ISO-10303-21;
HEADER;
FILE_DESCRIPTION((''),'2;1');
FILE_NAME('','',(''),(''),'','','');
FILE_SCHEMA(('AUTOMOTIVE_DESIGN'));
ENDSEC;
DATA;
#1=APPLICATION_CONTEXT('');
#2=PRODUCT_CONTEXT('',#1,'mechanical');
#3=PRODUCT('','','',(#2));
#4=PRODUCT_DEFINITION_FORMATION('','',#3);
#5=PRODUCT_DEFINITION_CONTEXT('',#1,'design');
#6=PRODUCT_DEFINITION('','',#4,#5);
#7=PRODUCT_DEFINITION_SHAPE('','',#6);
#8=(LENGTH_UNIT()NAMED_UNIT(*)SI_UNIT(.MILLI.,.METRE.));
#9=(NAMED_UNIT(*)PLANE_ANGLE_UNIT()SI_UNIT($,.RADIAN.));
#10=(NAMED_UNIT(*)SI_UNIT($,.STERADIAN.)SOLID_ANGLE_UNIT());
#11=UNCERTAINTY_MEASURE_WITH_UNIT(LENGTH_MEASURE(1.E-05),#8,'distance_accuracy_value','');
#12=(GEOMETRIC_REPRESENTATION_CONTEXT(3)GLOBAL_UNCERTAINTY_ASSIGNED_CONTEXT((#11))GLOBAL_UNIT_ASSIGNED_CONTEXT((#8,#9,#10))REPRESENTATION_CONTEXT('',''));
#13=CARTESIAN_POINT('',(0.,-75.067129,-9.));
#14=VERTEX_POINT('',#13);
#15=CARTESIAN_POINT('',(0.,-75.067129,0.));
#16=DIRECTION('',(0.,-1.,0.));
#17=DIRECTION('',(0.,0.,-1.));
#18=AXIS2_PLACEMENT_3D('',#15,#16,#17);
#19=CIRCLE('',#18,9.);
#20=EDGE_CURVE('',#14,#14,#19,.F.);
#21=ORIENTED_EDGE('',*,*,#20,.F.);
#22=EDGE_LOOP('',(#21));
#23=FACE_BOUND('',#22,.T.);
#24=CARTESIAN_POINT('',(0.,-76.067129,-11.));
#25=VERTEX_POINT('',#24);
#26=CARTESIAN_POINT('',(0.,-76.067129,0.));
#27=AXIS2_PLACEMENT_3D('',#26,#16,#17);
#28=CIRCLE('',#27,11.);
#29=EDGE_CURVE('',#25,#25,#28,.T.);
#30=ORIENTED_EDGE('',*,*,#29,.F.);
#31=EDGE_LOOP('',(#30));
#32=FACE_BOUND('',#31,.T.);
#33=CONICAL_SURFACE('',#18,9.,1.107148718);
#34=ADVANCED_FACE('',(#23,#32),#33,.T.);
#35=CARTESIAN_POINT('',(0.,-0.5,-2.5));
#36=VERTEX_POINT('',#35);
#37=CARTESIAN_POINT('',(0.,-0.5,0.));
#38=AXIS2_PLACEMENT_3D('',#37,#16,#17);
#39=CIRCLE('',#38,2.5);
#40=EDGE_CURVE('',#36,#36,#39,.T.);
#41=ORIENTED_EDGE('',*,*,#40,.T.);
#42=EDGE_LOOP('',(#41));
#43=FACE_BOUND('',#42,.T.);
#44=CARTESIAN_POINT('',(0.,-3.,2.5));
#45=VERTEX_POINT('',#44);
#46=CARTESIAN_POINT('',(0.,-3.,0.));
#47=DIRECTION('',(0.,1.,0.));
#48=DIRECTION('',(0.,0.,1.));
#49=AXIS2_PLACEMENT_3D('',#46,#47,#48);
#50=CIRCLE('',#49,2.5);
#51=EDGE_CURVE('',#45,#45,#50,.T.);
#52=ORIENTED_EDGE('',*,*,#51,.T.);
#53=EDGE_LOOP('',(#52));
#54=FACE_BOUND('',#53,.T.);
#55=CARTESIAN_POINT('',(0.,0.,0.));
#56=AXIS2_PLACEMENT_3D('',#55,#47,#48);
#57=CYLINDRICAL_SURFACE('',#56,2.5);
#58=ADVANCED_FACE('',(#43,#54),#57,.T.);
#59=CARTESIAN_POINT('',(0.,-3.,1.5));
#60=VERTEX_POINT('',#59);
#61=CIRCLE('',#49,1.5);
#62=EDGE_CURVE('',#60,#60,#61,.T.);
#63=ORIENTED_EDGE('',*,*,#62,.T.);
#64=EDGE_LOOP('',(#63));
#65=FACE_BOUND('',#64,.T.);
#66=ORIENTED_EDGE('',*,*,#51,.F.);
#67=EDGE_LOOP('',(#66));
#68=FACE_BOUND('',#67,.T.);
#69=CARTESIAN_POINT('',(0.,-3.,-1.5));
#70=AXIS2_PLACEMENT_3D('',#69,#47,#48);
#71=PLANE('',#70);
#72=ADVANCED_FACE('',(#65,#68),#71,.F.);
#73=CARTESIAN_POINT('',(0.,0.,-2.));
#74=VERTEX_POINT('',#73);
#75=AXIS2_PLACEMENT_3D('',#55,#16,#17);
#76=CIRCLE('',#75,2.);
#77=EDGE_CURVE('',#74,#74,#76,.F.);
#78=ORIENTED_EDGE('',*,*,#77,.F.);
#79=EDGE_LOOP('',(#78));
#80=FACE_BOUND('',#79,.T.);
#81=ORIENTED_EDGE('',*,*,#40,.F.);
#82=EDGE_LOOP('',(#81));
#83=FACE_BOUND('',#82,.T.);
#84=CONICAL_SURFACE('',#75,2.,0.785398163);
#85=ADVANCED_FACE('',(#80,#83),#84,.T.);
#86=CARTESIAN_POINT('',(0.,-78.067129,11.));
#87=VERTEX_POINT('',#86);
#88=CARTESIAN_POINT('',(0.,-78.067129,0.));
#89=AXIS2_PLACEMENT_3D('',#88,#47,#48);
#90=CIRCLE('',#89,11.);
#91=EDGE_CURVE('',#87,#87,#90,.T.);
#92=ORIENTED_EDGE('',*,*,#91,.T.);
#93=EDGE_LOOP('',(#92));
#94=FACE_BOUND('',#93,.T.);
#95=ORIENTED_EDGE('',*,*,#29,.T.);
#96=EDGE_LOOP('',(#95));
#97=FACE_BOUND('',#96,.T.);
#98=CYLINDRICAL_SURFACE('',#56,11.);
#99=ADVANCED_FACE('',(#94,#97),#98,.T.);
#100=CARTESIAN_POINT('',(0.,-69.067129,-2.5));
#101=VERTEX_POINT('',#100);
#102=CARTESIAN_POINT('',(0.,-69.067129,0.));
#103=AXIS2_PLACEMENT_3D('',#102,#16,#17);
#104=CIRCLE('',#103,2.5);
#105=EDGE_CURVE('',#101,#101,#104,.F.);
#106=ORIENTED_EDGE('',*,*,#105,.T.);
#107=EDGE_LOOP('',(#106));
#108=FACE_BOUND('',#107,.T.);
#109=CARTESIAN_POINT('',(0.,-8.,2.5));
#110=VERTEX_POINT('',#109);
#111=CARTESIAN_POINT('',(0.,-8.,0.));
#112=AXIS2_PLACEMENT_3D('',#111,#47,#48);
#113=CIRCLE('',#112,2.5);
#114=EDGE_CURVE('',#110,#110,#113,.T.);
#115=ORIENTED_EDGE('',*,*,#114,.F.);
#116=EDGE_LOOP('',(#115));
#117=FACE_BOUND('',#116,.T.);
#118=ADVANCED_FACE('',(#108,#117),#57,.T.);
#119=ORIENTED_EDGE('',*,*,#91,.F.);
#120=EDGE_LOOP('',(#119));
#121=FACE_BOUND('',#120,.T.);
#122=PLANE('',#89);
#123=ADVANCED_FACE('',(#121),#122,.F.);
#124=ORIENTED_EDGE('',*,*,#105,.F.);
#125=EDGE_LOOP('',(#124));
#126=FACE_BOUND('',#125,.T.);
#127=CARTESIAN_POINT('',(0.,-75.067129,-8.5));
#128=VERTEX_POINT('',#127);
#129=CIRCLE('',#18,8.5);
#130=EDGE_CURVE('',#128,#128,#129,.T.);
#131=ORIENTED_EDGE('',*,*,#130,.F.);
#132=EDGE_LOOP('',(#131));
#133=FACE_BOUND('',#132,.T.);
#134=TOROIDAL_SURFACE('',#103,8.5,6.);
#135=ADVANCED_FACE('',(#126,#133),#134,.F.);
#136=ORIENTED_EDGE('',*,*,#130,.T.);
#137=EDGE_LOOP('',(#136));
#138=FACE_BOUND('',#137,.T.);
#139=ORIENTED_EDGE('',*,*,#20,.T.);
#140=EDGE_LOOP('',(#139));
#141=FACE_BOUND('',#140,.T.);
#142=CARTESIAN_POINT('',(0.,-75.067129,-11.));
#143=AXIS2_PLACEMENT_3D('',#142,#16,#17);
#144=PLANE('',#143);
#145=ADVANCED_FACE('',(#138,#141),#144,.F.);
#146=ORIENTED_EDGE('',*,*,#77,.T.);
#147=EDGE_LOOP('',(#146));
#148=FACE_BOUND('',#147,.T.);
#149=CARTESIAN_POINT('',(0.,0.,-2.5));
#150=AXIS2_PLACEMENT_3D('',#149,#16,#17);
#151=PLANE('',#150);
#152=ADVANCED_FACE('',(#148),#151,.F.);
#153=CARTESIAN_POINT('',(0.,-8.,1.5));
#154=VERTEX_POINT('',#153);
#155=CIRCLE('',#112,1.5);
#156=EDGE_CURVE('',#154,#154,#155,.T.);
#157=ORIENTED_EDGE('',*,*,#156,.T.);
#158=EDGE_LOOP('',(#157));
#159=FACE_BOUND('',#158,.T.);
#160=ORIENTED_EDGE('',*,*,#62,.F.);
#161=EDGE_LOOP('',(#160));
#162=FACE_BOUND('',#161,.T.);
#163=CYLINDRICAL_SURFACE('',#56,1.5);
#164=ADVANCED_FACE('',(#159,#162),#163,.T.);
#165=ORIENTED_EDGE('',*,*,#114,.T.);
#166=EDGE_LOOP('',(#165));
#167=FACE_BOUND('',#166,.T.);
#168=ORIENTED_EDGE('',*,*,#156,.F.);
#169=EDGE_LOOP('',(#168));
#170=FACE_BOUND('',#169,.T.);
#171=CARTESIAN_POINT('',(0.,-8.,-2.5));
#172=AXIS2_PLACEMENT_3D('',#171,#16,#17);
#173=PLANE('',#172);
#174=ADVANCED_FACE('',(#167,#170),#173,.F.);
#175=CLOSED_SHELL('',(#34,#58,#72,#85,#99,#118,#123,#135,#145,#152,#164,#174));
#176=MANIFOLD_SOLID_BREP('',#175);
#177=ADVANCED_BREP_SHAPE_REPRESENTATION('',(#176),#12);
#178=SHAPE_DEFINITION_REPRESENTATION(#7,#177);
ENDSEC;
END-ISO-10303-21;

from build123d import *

# Parameters (mm, degrees)
FILLET1_R      = 6
CHAMFER1_SIZE  = 1
CHAMFER1_SIZE2 = 2
CHAMFER2_SIZE  = 0.5


with BuildPart() as part:
    # Sketch1 → Revolve1 (revolve)
    with BuildSketch(Plane(origin=(0, 0, 0), x_dir=(0, 0, -1), z_dir=(1, 0, 0)), mode=Mode.PRIVATE) as revolve1_sk:
        Polygon((0, 0), (0, -78.067128988), (11, -78.067128988), (11, -75.067128988), (2.5, -75.067128988), (2.5, -8), (1.5, -8), (1.5, -3), (2.5, -3), (2.5, 0), align=None)
    revolve(revolve1_sk.sketch.rotate(Axis((0, 0, 0), (0, -1, 0)), 180), axis=Axis((0, 0, 0), (0, -1, 0)))

    # Fillet1
    fillet1_edges = [part.edges().sort_by_distance(p)[0] for p in [
        (0, -75.067128988, -2.5),
    ]]
    fillet(fillet1_edges, radius=FILLET1_R)

    # Chamfer1
    chamfer1_edges = [part.edges().sort_by_distance(p)[0] for p in [
        (0, -75.067128988, -11),
    ]]
    chamfer1_side = [part.faces().sort_by_distance(p)[0] for p in [
        (0, -76.567128988, -11),
    ]]
    chamfer(chamfer1_edges, length=CHAMFER1_SIZE, length2=CHAMFER1_SIZE2, reference=chamfer1_side[0])

    # Chamfer2
    chamfer2_edges = [part.edges().sort_by_distance(p)[0] for p in [
        (0, 0, -2.5),
    ]]
    chamfer(chamfer2_edges, length=CHAMFER2_SIZE)


solid = part.part
